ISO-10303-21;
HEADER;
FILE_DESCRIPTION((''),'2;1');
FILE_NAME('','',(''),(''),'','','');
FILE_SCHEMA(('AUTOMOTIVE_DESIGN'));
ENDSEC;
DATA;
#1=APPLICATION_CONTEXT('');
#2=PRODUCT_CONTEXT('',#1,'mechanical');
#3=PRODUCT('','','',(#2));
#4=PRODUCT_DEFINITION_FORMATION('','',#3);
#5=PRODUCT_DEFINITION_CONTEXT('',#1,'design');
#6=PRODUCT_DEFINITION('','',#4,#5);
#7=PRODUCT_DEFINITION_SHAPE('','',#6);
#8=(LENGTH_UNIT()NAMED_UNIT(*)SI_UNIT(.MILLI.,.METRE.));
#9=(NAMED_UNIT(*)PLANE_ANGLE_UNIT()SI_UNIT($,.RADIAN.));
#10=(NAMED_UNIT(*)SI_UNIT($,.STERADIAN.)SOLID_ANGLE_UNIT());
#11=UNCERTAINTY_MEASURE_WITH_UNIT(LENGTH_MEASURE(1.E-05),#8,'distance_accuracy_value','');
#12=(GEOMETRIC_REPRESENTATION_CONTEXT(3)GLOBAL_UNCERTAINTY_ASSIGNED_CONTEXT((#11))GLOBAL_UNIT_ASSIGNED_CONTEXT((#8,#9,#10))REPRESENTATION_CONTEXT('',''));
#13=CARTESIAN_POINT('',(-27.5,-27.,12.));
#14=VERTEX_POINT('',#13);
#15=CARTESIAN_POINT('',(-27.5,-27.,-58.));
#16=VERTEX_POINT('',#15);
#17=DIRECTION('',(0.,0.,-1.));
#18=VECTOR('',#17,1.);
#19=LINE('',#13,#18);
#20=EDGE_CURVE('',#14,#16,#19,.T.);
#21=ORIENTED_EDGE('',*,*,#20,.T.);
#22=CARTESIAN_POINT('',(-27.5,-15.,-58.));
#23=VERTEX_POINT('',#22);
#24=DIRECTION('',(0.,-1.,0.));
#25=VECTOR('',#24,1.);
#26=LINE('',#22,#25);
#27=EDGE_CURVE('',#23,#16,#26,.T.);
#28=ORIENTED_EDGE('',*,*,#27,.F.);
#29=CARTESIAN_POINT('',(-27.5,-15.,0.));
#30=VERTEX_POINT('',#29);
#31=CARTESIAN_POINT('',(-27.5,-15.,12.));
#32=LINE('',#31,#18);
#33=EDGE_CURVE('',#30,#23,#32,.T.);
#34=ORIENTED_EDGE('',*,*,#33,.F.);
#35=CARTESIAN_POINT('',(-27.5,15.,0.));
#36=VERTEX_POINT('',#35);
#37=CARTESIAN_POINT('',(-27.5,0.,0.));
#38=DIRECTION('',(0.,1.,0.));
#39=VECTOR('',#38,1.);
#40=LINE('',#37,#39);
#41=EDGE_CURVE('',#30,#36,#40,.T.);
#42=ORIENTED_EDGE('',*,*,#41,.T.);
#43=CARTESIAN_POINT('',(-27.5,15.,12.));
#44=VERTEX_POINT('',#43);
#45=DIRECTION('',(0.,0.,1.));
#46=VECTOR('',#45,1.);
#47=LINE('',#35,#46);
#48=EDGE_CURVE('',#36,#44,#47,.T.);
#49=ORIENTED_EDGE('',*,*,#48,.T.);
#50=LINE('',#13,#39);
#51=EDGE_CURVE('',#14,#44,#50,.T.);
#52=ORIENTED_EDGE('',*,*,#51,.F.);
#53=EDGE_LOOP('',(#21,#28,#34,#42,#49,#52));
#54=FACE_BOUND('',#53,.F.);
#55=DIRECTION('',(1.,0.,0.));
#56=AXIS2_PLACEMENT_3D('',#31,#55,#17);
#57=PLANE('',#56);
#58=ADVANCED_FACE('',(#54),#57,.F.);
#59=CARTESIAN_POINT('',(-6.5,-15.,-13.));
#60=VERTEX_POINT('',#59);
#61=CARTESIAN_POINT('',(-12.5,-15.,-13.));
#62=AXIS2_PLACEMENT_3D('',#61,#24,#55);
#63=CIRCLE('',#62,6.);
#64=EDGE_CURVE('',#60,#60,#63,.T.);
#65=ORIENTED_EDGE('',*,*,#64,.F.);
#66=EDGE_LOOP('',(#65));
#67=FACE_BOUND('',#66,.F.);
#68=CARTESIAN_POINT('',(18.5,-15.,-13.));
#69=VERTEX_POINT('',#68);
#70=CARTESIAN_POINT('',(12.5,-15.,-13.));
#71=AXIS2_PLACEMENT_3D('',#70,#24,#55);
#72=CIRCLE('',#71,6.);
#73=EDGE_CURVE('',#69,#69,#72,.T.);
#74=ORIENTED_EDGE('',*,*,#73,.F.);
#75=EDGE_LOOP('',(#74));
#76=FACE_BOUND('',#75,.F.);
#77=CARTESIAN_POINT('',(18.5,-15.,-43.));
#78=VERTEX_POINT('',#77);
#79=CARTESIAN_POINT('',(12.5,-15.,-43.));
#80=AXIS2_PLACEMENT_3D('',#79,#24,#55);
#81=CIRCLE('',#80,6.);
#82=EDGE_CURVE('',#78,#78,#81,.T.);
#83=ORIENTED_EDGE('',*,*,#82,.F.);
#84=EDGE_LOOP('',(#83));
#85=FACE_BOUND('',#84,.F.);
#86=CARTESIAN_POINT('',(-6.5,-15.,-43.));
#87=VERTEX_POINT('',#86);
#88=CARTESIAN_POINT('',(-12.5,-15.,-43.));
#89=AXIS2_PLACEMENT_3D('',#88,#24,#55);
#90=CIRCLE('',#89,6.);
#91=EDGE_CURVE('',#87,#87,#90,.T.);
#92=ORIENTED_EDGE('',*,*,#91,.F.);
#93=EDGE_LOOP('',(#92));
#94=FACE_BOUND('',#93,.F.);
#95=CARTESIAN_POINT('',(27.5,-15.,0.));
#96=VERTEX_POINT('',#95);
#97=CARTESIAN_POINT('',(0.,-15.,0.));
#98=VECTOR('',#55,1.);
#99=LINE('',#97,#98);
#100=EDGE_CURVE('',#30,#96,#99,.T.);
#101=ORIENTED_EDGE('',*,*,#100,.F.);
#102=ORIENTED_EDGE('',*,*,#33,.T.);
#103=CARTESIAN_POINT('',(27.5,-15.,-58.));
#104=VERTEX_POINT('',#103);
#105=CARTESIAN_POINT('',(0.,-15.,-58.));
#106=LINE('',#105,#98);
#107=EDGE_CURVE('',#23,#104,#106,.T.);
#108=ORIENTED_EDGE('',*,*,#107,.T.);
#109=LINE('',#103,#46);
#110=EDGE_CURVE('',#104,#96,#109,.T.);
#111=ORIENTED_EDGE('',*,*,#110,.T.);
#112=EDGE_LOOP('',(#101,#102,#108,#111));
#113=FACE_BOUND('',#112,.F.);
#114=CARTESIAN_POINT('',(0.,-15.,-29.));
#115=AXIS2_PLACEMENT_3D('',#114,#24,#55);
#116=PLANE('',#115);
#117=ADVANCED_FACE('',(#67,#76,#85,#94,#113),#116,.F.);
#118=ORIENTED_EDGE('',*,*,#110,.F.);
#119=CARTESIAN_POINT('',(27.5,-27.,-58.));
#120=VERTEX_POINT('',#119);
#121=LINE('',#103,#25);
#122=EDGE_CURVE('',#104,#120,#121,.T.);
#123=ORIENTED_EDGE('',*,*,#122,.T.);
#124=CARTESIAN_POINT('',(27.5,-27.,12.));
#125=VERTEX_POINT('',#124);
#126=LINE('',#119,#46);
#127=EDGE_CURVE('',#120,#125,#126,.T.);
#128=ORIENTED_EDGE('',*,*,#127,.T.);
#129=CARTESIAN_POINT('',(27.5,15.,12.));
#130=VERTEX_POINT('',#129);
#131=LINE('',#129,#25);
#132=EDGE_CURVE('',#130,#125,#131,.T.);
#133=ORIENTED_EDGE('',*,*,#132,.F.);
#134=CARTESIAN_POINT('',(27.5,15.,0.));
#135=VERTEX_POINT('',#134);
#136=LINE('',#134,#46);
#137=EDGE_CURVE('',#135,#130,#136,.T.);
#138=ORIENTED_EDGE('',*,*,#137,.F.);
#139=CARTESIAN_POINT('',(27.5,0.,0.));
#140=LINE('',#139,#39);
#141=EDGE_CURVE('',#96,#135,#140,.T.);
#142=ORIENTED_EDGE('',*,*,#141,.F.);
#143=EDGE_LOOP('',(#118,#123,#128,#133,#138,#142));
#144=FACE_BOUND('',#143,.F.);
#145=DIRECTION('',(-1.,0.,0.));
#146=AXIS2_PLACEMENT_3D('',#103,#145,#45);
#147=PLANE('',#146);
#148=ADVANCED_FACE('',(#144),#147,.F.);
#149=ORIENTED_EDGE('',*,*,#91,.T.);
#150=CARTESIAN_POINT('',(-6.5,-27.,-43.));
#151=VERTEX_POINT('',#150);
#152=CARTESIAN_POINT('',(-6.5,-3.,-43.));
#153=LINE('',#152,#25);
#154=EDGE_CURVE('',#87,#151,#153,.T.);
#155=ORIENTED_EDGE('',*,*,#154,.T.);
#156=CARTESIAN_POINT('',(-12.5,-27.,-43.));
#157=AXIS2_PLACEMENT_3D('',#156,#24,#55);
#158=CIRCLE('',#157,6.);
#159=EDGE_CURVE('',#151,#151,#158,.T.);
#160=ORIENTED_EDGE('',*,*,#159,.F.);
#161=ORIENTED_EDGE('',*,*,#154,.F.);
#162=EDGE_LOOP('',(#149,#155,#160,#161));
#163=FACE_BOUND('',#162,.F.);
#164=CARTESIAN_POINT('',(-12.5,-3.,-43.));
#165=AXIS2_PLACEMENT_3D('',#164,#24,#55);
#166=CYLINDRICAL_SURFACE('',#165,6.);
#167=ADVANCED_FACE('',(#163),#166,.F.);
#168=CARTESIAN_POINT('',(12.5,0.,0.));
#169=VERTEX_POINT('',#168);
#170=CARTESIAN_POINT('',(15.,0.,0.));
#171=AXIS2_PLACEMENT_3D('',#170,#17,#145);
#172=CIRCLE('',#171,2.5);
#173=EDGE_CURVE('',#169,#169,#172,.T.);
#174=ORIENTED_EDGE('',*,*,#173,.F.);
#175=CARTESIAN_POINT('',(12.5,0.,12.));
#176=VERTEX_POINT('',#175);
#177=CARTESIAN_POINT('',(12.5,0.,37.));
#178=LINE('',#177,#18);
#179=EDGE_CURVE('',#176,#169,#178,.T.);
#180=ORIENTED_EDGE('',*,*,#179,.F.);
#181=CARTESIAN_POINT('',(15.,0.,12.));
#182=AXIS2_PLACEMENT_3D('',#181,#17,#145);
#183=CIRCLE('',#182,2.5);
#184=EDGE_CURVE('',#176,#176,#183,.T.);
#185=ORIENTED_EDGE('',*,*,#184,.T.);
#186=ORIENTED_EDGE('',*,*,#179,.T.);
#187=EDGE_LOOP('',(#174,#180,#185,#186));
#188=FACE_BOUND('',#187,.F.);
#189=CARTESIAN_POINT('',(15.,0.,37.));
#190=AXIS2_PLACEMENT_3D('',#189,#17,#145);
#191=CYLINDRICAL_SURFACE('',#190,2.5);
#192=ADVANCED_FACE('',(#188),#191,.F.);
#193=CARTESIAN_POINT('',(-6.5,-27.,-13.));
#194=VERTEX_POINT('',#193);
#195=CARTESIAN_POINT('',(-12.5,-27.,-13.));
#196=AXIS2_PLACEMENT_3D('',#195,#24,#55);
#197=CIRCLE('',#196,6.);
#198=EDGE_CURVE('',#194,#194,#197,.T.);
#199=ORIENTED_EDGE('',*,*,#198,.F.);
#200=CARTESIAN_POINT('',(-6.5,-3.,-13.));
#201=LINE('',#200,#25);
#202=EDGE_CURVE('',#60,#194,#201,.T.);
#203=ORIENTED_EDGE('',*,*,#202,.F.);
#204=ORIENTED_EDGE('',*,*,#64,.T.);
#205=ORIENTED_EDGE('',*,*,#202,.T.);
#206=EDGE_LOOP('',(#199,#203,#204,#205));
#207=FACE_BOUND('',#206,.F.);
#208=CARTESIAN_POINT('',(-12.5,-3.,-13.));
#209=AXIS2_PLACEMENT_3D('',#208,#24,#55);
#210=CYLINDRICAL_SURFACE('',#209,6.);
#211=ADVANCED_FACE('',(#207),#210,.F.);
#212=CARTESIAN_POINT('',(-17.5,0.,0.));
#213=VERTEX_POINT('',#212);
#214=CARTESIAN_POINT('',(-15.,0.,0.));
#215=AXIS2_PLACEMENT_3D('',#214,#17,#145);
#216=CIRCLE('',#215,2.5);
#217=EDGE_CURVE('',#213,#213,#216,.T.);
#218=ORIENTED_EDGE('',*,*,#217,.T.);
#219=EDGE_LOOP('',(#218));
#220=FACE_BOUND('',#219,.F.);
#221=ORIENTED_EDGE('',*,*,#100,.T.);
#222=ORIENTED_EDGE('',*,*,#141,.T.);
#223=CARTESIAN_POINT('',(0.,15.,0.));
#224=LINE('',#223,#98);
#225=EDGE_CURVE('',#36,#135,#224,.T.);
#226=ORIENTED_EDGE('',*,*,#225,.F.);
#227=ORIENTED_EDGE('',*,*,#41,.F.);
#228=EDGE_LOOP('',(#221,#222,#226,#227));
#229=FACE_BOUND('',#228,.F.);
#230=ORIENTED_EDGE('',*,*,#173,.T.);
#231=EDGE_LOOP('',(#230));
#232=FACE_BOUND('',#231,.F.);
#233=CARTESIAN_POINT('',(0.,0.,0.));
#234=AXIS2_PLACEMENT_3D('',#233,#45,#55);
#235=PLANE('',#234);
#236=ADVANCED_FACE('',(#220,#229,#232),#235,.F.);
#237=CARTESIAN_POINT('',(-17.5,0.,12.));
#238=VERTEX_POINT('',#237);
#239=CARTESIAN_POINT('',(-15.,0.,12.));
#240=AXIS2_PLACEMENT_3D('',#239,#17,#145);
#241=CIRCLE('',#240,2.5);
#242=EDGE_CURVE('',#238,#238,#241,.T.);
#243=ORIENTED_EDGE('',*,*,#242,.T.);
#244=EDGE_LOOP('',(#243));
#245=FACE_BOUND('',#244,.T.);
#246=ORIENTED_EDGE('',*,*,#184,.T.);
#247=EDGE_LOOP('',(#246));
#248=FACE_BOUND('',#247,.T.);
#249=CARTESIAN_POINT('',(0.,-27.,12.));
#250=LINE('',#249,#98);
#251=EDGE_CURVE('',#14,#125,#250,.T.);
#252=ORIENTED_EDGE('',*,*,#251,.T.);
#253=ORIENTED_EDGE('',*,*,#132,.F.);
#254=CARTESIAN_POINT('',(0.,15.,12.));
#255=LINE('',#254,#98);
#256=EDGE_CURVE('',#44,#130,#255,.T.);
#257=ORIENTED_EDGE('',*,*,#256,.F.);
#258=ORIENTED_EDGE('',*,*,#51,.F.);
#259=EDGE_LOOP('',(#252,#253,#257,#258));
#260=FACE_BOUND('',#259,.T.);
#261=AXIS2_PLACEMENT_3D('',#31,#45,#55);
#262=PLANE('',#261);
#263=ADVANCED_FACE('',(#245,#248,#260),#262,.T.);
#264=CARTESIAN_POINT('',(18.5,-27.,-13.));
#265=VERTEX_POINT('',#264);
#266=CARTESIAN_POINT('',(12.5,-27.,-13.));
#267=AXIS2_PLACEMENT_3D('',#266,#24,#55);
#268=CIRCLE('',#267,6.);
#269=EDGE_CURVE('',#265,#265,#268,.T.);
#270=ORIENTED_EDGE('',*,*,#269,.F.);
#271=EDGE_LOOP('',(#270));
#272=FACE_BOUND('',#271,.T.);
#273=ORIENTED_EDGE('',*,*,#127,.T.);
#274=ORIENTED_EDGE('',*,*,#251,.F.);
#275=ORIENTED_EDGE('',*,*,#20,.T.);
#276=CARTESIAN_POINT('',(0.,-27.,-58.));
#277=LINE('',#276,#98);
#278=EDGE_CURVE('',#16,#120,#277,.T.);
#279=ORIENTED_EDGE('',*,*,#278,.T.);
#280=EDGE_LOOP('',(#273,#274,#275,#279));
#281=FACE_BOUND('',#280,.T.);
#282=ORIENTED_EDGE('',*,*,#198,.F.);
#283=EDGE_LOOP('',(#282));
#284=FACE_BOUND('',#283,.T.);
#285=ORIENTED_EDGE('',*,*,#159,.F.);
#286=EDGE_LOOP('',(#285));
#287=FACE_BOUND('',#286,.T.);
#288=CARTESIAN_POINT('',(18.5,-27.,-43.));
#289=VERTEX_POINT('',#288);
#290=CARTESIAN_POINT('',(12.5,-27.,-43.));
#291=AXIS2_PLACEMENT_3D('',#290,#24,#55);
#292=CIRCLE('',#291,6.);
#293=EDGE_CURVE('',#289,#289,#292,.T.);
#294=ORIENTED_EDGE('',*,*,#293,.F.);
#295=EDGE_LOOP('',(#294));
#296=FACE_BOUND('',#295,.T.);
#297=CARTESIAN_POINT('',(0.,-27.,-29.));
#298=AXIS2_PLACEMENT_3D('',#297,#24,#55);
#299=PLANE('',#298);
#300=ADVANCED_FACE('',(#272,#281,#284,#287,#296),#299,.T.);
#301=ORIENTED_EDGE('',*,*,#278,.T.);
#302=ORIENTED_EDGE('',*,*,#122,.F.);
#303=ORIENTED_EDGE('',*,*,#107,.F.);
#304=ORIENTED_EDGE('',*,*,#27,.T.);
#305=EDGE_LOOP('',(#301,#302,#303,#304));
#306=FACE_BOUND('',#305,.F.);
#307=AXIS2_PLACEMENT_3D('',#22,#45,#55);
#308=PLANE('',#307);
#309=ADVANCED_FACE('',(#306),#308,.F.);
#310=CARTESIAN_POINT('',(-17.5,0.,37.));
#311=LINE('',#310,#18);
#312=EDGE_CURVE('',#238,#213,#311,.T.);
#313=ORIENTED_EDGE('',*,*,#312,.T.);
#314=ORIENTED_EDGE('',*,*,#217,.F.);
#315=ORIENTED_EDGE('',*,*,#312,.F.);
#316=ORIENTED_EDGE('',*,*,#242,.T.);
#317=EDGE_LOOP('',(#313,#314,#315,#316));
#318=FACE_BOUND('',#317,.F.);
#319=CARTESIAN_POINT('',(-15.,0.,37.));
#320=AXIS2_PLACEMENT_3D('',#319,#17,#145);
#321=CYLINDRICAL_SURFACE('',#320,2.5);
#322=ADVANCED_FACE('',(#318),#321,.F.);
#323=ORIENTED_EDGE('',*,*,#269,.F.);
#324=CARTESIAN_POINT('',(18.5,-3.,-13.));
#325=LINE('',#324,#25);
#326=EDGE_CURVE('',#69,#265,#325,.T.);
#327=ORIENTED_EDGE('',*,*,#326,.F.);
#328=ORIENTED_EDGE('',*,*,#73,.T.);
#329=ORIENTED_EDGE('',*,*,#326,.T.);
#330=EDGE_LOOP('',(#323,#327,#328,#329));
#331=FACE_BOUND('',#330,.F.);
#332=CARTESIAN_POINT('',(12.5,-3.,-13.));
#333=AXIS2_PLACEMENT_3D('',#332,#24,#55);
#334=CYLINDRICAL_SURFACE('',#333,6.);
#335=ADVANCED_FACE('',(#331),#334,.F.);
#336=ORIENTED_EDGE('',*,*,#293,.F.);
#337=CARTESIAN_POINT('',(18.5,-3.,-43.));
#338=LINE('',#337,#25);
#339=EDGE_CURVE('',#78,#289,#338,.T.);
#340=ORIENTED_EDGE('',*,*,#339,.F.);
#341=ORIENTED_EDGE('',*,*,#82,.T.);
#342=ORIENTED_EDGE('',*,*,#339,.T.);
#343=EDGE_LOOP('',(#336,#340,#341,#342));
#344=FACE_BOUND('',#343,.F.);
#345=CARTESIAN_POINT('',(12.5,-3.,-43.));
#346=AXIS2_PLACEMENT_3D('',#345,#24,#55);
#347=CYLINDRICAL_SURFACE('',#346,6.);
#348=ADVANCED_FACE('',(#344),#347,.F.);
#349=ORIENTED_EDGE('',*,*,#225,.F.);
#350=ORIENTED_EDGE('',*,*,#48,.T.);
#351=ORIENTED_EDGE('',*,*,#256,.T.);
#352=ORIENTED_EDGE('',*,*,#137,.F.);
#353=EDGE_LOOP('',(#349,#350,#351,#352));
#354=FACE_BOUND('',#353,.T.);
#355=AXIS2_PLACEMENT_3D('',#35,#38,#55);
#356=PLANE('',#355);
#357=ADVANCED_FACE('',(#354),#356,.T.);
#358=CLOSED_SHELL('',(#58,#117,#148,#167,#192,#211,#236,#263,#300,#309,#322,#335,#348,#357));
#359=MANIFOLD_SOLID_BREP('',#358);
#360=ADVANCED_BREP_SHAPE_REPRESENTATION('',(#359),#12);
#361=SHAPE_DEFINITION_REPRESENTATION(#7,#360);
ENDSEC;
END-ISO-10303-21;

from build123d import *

# Parameters (mm, degrees)
F0_W     = 55
F0_H     = 30
F1_DEPTH = 12
F3_D     = 5
F3_DEPTH = 25
F4_W     = 55
F4_H     = 58
F4_H_2   = 12
F5_DEPTH = 12
F7_D     = 12
F7_DEPTH = 12


with BuildPart() as f1:
    # F0 (on Top) → F1 (new body)
    with BuildSketch(Plane.XY):
        Rectangle(F0_W, F0_H)
    extrude(amount=F1_DEPTH)

    # F3
    with Locations(Plane.XY.offset(12)):
        with Locations((-15, 0), (15, 0)):
            Hole(F3_D / 2, depth=F3_DEPTH)

    # F4 (on face) → F5 (join)
    with BuildSketch(Plane.XZ.offset(15)):
        with Locations((0, -29)):
            Rectangle(F4_W, F4_H)
        with Locations((0, 6)):
            Rectangle(F4_W, F4_H_2)
    extrude(amount=F5_DEPTH)

    # F7
    with Locations(Plane(origin=(0, -15, 0), x_dir=(-1, 0, 0), z_dir=(0, 1, 0))):
        with Locations((12.5, -13), (12.5, -43), (-12.5, -43), (-12.5, -13)):
            Hole(F7_D / 2, depth=F7_DEPTH)


solid = f1.part
